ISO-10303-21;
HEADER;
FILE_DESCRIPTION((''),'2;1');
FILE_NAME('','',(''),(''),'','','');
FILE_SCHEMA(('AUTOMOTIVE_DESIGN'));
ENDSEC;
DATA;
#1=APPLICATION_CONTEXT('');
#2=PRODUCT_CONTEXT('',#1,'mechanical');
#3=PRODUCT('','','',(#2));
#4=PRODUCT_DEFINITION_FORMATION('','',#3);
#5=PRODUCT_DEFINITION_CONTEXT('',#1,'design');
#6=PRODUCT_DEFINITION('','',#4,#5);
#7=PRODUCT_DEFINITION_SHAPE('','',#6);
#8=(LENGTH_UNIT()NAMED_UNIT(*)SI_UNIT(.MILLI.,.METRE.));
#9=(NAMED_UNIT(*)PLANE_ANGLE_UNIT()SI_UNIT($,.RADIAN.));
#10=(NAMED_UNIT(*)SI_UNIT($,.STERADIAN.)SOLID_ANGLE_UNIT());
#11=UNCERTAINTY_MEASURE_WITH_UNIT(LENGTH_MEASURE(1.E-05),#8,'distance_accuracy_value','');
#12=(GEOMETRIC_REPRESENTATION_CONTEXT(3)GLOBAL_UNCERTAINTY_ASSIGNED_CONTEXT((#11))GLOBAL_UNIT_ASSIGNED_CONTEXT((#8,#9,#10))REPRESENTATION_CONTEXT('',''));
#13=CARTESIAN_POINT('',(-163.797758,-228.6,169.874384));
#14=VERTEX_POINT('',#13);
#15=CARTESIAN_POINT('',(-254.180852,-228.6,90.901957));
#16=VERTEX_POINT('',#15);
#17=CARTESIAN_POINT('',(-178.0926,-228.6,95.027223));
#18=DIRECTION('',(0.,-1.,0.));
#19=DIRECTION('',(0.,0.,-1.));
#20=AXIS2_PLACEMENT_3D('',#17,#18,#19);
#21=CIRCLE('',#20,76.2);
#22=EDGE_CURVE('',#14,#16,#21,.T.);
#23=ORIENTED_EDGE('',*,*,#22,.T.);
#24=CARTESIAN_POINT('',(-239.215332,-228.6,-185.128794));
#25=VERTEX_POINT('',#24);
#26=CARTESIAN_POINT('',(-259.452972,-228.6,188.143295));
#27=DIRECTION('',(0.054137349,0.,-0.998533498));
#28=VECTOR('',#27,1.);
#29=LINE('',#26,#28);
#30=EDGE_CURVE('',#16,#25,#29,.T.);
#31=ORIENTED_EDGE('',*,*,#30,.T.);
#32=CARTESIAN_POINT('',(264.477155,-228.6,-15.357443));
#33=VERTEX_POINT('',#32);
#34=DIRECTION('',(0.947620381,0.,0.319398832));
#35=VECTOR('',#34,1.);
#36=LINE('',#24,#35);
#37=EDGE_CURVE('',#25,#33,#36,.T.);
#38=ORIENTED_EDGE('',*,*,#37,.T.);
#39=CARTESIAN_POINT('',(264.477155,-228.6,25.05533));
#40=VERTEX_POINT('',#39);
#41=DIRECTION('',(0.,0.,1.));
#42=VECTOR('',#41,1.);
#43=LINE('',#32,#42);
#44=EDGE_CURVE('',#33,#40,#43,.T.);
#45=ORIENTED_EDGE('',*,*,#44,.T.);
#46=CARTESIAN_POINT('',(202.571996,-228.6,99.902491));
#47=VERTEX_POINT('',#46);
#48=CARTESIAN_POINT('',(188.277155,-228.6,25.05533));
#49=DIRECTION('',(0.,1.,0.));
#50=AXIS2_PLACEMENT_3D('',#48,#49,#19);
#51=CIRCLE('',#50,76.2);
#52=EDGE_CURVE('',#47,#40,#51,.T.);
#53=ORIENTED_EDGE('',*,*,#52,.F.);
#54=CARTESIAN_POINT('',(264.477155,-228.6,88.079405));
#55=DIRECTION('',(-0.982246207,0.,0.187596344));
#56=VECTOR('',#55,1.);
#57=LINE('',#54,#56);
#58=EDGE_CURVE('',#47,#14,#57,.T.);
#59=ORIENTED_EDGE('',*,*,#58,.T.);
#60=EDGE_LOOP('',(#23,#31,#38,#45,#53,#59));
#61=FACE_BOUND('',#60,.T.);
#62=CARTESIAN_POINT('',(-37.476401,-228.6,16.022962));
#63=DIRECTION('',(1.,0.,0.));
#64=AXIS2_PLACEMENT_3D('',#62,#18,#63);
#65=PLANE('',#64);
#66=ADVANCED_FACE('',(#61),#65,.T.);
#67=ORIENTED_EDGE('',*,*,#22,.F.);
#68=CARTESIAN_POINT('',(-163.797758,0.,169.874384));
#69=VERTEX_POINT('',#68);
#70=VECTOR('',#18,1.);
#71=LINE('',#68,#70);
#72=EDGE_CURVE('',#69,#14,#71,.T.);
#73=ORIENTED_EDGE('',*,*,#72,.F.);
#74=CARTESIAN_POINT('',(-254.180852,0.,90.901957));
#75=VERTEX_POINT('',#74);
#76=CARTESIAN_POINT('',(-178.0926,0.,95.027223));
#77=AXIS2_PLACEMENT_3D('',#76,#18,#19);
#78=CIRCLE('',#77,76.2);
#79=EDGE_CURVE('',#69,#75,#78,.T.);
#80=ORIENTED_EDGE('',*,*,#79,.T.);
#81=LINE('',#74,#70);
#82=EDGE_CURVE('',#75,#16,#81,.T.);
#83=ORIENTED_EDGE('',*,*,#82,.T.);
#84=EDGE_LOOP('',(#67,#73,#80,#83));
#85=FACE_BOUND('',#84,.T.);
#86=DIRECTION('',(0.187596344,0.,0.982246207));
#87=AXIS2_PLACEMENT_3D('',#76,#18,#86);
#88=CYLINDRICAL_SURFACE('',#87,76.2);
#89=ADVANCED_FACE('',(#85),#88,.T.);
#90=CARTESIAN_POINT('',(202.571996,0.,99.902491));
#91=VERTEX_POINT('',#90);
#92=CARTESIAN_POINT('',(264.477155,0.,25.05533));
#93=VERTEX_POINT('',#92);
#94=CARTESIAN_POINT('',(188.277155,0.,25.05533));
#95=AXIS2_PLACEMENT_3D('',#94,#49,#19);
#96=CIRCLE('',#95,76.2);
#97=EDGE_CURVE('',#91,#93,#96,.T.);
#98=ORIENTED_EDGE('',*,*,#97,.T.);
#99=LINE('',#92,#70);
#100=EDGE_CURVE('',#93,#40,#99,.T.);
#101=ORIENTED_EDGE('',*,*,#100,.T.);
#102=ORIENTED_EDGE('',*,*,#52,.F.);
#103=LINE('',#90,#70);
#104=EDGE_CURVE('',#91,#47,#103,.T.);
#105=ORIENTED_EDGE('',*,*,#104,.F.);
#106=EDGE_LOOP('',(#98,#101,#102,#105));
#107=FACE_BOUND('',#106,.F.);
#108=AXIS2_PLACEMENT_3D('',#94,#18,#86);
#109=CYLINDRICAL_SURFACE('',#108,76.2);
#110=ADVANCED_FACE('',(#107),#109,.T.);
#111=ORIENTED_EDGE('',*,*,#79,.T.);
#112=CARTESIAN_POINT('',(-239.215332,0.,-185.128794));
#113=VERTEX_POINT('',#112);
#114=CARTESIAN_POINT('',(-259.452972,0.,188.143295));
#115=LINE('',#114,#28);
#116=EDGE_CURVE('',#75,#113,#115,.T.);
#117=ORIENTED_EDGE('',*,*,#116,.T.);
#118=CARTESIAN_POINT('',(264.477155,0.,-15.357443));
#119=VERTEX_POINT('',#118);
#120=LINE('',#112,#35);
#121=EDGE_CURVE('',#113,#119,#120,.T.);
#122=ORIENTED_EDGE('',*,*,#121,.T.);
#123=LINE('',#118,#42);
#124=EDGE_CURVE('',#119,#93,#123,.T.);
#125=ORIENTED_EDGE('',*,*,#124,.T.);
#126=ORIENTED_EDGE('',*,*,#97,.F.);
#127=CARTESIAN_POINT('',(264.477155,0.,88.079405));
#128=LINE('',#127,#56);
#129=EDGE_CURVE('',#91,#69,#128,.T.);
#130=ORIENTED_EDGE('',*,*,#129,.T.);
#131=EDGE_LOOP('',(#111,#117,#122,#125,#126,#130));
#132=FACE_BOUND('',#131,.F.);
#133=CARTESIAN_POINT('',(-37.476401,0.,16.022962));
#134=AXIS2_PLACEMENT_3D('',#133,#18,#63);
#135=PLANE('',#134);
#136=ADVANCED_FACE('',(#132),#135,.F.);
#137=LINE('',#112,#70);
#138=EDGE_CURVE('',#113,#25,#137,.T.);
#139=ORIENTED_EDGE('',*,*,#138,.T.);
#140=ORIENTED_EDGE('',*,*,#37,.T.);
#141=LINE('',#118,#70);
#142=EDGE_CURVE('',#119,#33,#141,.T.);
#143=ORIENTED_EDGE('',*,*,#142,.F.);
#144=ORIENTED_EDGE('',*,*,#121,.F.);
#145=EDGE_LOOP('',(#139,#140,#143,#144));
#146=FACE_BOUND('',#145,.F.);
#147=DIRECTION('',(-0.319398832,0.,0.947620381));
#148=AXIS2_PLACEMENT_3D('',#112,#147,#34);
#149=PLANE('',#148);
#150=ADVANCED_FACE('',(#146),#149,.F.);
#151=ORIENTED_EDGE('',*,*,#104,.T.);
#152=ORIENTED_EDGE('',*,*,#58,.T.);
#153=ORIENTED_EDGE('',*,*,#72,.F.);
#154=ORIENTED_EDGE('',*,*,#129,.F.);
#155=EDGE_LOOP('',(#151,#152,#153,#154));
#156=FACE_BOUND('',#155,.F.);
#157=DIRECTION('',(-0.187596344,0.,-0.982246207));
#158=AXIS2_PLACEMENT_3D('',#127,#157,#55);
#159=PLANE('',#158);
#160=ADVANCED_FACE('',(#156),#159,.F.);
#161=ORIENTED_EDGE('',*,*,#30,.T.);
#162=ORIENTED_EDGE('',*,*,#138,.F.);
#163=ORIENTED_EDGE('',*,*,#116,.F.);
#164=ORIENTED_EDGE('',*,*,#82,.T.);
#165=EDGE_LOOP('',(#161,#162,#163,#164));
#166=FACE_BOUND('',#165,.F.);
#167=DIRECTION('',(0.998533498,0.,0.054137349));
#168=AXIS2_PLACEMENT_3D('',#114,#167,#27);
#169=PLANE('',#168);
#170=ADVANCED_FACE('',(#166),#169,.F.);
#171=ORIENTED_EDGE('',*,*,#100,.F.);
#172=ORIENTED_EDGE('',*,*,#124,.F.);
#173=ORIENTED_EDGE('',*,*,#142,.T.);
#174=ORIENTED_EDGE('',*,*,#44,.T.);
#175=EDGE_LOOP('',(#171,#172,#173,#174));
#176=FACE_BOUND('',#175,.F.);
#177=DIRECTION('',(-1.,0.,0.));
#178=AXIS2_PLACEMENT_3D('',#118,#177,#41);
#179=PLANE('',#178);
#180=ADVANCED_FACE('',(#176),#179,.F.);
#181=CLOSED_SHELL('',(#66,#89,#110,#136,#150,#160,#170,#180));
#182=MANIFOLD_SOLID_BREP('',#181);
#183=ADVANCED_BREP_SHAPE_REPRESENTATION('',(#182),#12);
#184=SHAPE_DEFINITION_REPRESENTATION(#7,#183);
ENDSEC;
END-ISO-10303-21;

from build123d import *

# Parameters (mm, degrees)
F1_DEPTH = 228.6
F2_R     = 76.2


with BuildPart() as f1:
    # F0 (on Front) → F1 (new body)
    with BuildSketch(Plane.XZ):
        Polygon((264.477155, 88.079405), (-259.452972, 188.143295), (-239.215332, -185.128794), (264.477155, -15.357443), align=None)
    extrude(amount=F1_DEPTH)

    # F2
    f2_edges = [f1.edges().sort_by_distance(p)[0] for p in [
        (-259.452972, -114.3, 188.143295),
        (264.477155, -114.3, 88.079405),
    ]]
    fillet(f2_edges, radius=F2_R)


solid = f1.part
